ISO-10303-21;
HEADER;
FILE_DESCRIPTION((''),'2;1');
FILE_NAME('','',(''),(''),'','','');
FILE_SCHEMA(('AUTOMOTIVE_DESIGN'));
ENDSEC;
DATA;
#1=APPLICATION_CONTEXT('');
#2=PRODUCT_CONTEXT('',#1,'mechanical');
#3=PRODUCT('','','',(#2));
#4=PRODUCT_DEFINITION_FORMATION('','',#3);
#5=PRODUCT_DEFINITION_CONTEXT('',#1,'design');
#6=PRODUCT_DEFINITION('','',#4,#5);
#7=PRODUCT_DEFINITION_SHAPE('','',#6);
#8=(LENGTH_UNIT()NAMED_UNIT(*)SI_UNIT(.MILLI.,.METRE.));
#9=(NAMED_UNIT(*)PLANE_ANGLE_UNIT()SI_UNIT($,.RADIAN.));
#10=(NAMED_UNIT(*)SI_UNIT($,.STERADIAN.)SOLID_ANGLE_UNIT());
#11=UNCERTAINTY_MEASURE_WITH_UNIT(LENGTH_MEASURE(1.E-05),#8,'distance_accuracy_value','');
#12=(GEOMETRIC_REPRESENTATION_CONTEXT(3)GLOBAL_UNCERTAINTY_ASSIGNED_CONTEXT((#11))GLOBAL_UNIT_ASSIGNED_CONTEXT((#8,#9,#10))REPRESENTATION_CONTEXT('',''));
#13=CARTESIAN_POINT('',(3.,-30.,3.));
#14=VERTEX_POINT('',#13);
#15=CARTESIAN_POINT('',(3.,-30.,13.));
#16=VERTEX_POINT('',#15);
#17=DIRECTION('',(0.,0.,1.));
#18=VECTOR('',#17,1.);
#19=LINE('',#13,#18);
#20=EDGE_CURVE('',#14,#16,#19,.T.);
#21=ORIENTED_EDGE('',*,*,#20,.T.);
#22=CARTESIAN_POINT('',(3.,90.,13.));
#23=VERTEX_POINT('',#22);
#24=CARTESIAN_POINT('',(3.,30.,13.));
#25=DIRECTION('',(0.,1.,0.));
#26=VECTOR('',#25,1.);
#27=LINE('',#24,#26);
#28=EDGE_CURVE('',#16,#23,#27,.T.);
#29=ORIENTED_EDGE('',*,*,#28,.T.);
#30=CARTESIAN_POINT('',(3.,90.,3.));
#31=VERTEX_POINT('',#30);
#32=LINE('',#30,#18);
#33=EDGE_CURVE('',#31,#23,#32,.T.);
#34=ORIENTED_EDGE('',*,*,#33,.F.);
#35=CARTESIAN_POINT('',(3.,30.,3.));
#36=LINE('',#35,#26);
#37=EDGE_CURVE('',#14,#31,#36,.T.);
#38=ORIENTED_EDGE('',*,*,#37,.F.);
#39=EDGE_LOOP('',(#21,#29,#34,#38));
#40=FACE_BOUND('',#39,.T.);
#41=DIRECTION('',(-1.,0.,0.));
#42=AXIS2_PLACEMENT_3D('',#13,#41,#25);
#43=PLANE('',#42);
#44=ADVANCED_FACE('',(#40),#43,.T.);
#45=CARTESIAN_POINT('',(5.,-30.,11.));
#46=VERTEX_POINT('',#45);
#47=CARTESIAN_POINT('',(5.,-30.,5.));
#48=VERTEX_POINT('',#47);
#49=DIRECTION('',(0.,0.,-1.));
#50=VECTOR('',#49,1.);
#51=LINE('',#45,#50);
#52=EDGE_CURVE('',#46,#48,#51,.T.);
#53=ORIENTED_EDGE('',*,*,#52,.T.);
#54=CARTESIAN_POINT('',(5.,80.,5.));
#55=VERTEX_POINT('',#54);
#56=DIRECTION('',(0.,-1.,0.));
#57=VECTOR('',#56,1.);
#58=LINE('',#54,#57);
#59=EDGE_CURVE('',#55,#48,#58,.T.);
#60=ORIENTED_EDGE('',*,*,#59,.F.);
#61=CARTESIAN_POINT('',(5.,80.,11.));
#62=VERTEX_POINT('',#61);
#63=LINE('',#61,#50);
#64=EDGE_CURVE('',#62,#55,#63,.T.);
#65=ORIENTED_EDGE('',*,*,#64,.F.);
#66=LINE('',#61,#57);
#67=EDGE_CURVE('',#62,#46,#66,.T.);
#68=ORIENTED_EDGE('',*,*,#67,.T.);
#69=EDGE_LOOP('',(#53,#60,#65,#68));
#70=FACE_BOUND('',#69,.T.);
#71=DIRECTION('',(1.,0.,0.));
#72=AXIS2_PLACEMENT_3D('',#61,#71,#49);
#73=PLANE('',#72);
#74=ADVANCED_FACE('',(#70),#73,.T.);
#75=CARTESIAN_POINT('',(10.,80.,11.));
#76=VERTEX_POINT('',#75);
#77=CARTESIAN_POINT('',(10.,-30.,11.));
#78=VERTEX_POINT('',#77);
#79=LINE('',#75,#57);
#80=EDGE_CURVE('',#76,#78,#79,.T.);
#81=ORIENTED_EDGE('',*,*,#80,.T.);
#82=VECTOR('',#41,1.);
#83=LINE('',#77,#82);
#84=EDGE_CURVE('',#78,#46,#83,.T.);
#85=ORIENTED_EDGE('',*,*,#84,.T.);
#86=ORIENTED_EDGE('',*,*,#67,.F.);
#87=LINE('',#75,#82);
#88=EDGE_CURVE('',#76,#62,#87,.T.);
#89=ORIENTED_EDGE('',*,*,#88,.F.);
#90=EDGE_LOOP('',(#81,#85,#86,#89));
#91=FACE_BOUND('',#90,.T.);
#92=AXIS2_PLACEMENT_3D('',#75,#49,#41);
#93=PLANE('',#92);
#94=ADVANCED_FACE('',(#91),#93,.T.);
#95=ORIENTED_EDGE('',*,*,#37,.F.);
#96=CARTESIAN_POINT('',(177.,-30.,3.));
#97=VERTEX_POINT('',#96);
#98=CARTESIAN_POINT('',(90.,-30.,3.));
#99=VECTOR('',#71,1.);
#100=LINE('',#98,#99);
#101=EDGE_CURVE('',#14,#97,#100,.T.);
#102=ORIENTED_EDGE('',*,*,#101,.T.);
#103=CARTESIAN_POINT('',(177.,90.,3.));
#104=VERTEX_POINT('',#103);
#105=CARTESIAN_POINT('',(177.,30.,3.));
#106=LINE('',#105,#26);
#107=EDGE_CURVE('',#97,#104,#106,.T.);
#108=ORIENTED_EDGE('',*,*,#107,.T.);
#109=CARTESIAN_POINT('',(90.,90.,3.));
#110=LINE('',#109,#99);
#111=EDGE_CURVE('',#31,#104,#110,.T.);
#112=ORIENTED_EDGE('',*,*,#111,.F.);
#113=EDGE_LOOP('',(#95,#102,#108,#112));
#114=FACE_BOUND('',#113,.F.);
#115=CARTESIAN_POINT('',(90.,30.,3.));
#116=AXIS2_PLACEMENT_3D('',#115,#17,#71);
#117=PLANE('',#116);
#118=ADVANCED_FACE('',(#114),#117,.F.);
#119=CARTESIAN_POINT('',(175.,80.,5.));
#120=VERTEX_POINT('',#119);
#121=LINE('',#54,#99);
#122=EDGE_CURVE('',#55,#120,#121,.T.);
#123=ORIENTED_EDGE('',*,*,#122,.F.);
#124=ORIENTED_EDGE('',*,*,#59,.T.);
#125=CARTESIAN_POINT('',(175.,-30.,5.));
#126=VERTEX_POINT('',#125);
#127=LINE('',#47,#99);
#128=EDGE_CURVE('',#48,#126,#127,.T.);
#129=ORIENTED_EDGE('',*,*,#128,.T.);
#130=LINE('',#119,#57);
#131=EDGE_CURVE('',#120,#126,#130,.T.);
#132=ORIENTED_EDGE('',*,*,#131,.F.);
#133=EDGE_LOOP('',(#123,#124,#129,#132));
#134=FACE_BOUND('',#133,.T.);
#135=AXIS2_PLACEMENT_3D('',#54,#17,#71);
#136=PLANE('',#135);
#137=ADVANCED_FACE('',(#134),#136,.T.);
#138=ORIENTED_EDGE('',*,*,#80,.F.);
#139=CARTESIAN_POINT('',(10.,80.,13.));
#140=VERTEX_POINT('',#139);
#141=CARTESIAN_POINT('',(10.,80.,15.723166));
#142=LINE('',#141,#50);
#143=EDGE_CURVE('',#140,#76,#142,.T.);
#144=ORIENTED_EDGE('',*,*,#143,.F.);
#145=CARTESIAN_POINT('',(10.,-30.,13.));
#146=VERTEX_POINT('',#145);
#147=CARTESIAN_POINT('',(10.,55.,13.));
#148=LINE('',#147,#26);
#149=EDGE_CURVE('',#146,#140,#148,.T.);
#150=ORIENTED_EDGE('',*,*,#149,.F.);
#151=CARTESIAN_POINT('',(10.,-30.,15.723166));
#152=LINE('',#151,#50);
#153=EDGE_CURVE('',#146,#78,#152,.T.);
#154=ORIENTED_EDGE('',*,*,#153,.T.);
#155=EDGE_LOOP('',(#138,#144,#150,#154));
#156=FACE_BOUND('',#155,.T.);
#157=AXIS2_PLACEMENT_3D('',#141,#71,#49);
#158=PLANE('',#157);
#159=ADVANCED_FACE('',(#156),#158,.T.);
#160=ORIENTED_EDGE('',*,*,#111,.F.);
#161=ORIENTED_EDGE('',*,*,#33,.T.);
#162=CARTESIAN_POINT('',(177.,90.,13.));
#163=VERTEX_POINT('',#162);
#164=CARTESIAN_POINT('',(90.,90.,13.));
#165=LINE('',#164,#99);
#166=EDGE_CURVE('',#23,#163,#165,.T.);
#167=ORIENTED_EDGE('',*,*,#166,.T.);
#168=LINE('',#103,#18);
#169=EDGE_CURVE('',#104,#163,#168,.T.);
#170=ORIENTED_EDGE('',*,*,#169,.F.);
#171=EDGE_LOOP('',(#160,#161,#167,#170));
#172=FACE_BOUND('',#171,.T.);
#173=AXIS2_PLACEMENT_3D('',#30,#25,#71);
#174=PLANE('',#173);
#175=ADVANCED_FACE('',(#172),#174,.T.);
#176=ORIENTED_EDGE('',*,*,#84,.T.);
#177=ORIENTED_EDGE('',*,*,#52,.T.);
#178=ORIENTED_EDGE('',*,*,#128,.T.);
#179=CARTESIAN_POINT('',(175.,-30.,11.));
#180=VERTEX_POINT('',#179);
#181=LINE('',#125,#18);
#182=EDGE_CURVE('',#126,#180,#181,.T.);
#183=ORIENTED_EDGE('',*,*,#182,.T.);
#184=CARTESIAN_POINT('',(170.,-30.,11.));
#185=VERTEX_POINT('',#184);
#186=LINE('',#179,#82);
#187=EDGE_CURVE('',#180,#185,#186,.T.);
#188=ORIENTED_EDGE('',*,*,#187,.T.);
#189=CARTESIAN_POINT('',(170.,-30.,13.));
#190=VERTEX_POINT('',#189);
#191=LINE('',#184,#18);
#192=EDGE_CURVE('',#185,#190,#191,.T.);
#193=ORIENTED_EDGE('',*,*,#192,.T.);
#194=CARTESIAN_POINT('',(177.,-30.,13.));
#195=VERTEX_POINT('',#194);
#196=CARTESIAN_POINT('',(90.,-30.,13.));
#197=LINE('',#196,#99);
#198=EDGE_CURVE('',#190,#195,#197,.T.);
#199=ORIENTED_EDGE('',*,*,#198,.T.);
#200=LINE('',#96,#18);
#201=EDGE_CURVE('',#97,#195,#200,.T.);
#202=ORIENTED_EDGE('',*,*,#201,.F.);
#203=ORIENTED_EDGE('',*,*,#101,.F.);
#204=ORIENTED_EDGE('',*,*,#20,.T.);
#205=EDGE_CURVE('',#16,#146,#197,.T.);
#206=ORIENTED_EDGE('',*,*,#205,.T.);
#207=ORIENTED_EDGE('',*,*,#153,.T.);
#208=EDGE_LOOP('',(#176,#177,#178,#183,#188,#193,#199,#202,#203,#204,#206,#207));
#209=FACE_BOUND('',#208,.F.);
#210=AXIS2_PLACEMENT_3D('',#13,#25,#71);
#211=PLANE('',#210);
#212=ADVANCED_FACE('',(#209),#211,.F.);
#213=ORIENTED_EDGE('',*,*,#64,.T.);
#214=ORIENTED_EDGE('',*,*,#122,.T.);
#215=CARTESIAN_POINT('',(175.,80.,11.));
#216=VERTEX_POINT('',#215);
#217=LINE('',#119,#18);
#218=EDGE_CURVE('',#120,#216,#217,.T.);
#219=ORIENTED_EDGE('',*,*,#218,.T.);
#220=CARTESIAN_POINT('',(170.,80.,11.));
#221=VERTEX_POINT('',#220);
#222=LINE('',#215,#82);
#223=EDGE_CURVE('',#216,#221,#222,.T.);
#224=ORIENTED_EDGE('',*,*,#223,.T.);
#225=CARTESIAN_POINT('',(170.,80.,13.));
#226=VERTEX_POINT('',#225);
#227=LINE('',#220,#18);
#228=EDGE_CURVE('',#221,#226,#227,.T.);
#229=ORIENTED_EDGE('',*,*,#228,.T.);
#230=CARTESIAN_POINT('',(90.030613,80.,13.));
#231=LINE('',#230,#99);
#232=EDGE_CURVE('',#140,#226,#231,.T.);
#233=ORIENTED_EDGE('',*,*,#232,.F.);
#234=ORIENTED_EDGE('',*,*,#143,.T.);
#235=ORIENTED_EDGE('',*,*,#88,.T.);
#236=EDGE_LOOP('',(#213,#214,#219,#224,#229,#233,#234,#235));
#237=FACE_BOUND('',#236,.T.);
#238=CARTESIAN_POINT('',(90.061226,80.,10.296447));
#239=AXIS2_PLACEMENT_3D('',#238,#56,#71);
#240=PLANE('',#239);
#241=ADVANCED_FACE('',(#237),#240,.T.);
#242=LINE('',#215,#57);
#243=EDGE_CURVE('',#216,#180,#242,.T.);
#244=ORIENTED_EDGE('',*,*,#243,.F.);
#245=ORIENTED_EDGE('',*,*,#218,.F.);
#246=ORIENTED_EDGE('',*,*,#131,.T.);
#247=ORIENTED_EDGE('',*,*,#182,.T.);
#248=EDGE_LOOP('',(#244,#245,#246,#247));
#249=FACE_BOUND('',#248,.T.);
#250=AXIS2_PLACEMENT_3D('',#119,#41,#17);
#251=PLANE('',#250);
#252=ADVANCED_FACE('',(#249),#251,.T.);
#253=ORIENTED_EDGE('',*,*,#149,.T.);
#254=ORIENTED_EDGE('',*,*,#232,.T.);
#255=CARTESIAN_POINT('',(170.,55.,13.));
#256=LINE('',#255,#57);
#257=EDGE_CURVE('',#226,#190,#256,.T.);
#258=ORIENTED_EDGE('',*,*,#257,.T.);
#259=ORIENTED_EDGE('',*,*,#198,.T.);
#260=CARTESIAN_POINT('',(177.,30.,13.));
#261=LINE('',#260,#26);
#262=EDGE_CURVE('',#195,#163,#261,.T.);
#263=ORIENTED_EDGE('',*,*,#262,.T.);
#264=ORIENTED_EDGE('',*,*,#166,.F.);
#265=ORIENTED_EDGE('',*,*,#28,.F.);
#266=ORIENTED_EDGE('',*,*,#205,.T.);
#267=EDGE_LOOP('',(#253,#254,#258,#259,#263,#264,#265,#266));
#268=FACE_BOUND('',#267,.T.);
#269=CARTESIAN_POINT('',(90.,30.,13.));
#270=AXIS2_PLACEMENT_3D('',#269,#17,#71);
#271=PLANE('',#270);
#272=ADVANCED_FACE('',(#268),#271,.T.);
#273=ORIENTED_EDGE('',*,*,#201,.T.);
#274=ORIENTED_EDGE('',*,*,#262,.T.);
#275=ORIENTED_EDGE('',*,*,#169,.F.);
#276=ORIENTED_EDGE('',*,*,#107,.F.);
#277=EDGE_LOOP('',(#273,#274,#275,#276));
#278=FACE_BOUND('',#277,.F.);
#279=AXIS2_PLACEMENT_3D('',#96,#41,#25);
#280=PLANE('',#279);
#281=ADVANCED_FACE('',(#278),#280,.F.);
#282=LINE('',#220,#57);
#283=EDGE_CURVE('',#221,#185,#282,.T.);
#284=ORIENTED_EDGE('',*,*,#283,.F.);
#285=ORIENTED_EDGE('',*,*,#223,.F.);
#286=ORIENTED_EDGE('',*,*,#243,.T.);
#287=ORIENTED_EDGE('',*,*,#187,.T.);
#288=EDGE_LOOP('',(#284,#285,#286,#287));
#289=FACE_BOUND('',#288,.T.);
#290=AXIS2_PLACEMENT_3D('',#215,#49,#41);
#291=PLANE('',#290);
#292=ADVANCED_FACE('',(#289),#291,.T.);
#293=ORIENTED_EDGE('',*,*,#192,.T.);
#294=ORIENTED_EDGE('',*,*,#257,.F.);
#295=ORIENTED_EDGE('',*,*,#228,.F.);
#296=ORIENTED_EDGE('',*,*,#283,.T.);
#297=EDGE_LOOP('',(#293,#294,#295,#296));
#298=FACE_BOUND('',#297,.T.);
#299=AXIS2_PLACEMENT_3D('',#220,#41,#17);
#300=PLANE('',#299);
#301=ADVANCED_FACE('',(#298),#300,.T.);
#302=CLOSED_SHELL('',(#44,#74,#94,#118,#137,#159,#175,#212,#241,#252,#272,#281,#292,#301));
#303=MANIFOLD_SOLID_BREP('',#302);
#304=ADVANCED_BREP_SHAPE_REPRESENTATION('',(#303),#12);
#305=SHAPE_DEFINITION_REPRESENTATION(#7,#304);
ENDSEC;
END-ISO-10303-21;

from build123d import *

# Parameters (mm, degrees)
PAD012_DEPTH = 110
BOX_W        = 174
BOX_H        = 120
BOX_DEPTH    = 10


with BuildPart() as pad012:
    # Sketch015 → Pad012 (new body)
    with BuildSketch(Plane.XZ.offset(-110)):
        Polygon((10, 12.723166), (10, 8), (5, 8), (5, 2), (175, 2), (175, 8), (170, 8), (170, 13), align=None)
    extrude(amount=PAD012_DEPTH)


with BuildPart() as pcb_holder:
    # Box → Box (new body)
    with BuildSketch(Plane(origin=(3, 0, 0), x_dir=(1, 0, 0), z_dir=(0, 0, 1))):
        with Locations((87, 60)):
            Rectangle(BOX_W, BOX_H)
    extrude(amount=BOX_DEPTH)

    # Cut003: cut Pad012
    add(pad012.part, mode=Mode.SUBTRACT)


with BuildPart() as pcb_holder_1:
    # Cut003 placement: moved
    add(pcb_holder.part.moved(Location((0, -30, 3))))


solid = pcb_holder_1.part
